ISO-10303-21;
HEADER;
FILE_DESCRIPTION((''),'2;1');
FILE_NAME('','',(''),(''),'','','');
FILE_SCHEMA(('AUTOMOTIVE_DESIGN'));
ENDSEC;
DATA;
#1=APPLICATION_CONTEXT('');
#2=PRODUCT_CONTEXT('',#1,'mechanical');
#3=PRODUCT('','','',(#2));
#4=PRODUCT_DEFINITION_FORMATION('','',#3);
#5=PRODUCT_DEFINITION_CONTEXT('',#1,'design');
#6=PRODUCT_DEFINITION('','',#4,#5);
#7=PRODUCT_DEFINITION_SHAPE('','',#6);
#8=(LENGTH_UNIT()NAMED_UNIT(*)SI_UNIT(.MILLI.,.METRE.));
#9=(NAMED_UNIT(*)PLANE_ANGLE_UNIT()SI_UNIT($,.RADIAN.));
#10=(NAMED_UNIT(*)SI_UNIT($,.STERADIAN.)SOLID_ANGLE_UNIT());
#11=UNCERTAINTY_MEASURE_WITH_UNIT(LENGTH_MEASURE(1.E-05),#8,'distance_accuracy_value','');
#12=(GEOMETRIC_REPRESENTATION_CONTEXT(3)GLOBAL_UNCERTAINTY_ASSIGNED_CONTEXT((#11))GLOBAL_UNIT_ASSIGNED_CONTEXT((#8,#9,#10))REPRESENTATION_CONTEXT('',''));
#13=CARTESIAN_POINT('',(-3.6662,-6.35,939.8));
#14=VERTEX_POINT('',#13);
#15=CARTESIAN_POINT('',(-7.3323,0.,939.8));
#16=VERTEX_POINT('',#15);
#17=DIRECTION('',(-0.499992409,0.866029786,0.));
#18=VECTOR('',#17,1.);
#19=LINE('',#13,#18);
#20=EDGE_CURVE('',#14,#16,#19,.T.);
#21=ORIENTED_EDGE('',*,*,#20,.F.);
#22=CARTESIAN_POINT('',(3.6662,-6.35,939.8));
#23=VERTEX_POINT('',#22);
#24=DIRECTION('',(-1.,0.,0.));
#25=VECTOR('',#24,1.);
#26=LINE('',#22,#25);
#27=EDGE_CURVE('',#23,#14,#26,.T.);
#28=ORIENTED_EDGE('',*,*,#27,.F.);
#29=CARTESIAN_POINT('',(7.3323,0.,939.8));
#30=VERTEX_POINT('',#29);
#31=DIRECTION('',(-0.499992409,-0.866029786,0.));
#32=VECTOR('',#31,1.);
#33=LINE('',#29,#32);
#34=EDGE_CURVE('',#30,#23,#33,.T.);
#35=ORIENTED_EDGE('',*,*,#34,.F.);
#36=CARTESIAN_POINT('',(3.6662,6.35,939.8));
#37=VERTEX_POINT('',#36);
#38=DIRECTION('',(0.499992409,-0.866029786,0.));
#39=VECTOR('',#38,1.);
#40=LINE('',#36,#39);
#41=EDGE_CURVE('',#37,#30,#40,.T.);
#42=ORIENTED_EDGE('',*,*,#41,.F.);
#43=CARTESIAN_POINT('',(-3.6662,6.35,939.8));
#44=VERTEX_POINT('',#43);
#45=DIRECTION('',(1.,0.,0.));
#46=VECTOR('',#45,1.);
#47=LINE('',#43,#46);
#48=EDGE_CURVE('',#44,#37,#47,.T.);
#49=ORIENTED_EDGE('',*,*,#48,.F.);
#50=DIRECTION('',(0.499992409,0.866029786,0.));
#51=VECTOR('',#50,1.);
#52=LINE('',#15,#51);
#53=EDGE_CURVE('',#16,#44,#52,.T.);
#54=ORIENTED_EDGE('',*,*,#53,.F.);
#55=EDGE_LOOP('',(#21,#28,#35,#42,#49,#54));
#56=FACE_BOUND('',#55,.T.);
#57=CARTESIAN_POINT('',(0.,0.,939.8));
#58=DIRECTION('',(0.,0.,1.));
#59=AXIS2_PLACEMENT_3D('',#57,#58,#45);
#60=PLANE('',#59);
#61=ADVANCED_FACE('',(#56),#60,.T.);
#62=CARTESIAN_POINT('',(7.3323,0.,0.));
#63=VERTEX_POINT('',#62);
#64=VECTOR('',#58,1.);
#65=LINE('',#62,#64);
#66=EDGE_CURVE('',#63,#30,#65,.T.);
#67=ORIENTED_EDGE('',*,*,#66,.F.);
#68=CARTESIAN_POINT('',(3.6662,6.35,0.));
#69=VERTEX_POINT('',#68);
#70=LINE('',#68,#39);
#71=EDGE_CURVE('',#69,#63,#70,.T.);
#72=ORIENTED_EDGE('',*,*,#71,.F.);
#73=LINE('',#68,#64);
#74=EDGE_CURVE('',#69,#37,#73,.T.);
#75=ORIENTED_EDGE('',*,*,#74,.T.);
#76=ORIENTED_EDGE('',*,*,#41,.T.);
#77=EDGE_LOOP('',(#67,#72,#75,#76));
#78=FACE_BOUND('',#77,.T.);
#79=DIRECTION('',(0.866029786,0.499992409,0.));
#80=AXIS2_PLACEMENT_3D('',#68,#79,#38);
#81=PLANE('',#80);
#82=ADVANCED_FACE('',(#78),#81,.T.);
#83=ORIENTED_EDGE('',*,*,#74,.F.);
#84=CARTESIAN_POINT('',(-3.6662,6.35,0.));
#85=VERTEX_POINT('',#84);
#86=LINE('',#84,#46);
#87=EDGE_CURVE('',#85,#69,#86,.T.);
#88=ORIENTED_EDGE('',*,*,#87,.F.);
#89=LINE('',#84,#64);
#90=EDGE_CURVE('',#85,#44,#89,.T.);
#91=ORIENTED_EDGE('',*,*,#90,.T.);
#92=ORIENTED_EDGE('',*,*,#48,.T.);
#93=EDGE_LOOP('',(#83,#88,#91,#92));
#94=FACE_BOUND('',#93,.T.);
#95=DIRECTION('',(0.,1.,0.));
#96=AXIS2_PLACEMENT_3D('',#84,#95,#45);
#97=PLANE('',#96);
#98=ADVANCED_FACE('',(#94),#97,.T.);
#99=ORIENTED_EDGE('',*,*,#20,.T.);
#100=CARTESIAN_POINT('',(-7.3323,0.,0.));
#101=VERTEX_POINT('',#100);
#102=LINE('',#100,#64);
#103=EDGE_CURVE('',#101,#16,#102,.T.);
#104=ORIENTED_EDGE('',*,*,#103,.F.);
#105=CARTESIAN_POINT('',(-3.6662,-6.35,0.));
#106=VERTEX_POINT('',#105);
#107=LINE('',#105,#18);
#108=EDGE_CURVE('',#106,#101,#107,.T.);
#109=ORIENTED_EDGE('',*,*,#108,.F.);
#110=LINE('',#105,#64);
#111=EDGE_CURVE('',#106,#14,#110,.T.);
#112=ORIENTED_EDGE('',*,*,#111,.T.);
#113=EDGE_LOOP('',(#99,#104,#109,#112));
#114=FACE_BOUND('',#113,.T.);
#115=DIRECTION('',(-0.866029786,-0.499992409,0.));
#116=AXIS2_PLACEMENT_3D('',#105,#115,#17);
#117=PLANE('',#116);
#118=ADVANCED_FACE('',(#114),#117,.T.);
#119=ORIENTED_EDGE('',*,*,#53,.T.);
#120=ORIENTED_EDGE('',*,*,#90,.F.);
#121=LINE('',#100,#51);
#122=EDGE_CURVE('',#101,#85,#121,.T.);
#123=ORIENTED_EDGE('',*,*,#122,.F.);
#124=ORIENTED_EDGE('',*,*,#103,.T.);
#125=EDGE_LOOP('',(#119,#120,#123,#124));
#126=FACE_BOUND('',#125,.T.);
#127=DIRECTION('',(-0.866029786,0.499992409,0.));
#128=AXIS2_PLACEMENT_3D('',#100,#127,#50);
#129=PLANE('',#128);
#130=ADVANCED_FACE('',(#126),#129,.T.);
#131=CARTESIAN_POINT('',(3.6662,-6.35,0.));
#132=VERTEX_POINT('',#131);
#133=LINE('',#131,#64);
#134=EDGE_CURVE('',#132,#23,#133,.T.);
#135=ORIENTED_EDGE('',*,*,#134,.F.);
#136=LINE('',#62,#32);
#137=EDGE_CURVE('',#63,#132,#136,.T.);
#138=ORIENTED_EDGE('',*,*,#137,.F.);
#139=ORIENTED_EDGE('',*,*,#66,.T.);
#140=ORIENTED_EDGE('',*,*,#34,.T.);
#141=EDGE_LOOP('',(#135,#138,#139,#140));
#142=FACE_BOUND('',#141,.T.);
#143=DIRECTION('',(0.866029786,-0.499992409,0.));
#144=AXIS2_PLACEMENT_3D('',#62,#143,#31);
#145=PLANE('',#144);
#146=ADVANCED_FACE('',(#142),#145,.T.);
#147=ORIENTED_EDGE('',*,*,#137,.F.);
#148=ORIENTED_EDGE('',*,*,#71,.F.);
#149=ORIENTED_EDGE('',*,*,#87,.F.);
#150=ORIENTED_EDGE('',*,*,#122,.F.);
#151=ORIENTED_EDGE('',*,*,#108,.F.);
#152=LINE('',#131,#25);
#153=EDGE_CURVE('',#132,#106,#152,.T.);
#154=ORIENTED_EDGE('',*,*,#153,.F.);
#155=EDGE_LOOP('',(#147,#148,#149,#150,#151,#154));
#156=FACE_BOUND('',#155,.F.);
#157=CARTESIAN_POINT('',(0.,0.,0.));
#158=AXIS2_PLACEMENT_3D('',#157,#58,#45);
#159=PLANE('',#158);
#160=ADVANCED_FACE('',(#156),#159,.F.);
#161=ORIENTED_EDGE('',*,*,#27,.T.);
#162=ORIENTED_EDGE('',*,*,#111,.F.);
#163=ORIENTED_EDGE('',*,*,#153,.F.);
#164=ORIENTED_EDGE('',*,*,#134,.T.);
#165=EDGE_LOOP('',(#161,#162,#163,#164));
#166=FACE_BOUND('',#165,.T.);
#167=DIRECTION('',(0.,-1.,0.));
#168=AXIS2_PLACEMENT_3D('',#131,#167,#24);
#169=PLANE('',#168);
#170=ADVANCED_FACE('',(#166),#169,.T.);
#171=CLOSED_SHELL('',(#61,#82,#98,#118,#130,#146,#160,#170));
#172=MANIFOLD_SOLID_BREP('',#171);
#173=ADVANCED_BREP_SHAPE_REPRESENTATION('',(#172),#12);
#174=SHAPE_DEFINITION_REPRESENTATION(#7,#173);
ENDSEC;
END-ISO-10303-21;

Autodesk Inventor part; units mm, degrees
ref_plane "YZ Plane" through (0, 0, 0) normal (1, 0, 0) x (0, 1, 0)
ref_plane "XZ Plane" through (0, 0, 0) normal (0, 1, 0) x (-1, 0, 0)
ref_plane "XY Plane" through (0, 0, 0) normal (0, 0, 1) x (1, 0, 0)
sketch "Sketch1" plane through (0, 0, 0) normal (0, 0, 1) x (1, 0, 0)
  line L0 (3.6662, 6.35) -> (7.3323, 0)
  line L1 (7.3323, 0) -> (3.6662, -6.35)
  line L2 (3.6662, -6.35) -> (-3.6662, -6.35)
  line L3 (-3.6662, -6.35) -> (-7.3323, 0)
  line L4 (-7.3323, 0) -> (-3.6662, 6.35)
  line L5 (-3.6662, 6.35) -> (3.6662, 6.35)
  point P0 (0, 0)
  point P1 (0, 0)
  dimension "d0" = 12.7
extrude "Extrusion1" add sketch "Sketch1" along normal blind 939.8
properties part number "hex rod 37 inch" material "Steel, Alloy"
